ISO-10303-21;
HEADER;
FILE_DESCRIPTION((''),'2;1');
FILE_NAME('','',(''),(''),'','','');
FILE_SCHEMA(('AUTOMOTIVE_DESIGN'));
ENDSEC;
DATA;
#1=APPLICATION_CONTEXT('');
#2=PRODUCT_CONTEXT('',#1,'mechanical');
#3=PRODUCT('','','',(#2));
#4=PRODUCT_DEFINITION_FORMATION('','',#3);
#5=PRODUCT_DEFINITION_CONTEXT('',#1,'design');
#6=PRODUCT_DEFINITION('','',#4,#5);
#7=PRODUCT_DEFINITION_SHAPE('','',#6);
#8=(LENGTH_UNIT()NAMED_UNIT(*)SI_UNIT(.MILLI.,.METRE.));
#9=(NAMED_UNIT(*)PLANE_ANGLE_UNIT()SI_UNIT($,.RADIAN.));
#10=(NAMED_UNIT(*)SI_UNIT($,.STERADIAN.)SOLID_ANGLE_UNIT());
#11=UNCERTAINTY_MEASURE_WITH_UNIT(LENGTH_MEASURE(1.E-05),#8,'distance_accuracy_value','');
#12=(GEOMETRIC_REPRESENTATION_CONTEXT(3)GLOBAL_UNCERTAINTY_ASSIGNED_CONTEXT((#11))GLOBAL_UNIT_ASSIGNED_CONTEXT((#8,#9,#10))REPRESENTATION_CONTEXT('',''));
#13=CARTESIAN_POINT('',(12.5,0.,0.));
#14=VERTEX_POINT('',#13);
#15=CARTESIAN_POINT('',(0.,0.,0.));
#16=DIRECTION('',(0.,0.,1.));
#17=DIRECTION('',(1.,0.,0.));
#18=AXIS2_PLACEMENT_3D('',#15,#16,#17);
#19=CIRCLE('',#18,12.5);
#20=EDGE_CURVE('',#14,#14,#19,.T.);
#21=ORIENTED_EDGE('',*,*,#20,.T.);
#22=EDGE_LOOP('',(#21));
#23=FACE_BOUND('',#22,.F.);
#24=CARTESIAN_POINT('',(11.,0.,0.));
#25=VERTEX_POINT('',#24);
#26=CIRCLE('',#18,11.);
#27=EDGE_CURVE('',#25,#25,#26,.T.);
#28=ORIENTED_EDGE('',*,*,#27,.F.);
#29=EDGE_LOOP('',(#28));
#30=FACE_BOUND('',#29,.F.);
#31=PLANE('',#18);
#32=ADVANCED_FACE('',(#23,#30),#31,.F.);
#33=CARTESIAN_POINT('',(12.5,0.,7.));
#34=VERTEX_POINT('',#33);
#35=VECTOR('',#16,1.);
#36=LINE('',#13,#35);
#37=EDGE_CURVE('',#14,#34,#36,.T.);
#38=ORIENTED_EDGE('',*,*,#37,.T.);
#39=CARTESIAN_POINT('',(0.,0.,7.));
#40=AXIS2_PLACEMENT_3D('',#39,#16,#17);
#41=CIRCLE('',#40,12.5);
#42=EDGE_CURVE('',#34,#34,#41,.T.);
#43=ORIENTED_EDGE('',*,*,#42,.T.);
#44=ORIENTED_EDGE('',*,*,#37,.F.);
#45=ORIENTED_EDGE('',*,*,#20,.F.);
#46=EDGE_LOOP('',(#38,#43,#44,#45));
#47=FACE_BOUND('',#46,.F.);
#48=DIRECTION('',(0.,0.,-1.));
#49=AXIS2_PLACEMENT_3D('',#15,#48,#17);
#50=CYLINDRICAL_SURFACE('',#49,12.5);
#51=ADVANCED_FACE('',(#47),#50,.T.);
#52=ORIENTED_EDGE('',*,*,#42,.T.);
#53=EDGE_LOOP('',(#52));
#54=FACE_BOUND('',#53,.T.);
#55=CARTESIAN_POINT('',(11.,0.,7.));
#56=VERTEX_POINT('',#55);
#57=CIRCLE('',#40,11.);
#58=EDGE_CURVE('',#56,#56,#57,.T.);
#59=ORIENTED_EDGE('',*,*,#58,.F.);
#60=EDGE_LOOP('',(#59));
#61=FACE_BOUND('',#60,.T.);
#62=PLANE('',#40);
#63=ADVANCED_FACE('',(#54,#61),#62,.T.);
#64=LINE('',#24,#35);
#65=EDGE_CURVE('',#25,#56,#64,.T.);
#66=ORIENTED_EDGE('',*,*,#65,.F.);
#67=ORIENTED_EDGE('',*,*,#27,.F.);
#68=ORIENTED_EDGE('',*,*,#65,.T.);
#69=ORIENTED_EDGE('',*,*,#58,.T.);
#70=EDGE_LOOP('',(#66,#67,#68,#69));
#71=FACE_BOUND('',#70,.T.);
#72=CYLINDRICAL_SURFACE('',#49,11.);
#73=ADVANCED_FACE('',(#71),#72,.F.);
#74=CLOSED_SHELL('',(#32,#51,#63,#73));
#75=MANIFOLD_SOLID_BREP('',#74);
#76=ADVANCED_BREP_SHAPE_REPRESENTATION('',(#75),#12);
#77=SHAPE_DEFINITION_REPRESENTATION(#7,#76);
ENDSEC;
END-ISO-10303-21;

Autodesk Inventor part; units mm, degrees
ref_plane "YZ Plane" through (0, 0, 0) normal (1, 0, 0) x (0, 1, 0)
ref_plane "XZ Plane" through (0, 0, 0) normal (0, 1, 0) x (-1, 0, 0)
ref_plane "XY Plane" through (0, 0, 0) normal (0, 0, 1) x (1, 0, 0)
sketch "スケッチ1" plane through (0, 0, 0) normal (0, 0, 1) x (1, 0, 0)
  circle A0 centre (0, 0) radius 12.5
  circle A1 centre (0, 0) radius 11
  dimension "d0" = 25
  dimension "d1" = 22
extrude "押し出し1" add sketch "スケッチ1" along normal blind 7
properties part number "オイレス222507" material "アセタール樹脂、黒"
